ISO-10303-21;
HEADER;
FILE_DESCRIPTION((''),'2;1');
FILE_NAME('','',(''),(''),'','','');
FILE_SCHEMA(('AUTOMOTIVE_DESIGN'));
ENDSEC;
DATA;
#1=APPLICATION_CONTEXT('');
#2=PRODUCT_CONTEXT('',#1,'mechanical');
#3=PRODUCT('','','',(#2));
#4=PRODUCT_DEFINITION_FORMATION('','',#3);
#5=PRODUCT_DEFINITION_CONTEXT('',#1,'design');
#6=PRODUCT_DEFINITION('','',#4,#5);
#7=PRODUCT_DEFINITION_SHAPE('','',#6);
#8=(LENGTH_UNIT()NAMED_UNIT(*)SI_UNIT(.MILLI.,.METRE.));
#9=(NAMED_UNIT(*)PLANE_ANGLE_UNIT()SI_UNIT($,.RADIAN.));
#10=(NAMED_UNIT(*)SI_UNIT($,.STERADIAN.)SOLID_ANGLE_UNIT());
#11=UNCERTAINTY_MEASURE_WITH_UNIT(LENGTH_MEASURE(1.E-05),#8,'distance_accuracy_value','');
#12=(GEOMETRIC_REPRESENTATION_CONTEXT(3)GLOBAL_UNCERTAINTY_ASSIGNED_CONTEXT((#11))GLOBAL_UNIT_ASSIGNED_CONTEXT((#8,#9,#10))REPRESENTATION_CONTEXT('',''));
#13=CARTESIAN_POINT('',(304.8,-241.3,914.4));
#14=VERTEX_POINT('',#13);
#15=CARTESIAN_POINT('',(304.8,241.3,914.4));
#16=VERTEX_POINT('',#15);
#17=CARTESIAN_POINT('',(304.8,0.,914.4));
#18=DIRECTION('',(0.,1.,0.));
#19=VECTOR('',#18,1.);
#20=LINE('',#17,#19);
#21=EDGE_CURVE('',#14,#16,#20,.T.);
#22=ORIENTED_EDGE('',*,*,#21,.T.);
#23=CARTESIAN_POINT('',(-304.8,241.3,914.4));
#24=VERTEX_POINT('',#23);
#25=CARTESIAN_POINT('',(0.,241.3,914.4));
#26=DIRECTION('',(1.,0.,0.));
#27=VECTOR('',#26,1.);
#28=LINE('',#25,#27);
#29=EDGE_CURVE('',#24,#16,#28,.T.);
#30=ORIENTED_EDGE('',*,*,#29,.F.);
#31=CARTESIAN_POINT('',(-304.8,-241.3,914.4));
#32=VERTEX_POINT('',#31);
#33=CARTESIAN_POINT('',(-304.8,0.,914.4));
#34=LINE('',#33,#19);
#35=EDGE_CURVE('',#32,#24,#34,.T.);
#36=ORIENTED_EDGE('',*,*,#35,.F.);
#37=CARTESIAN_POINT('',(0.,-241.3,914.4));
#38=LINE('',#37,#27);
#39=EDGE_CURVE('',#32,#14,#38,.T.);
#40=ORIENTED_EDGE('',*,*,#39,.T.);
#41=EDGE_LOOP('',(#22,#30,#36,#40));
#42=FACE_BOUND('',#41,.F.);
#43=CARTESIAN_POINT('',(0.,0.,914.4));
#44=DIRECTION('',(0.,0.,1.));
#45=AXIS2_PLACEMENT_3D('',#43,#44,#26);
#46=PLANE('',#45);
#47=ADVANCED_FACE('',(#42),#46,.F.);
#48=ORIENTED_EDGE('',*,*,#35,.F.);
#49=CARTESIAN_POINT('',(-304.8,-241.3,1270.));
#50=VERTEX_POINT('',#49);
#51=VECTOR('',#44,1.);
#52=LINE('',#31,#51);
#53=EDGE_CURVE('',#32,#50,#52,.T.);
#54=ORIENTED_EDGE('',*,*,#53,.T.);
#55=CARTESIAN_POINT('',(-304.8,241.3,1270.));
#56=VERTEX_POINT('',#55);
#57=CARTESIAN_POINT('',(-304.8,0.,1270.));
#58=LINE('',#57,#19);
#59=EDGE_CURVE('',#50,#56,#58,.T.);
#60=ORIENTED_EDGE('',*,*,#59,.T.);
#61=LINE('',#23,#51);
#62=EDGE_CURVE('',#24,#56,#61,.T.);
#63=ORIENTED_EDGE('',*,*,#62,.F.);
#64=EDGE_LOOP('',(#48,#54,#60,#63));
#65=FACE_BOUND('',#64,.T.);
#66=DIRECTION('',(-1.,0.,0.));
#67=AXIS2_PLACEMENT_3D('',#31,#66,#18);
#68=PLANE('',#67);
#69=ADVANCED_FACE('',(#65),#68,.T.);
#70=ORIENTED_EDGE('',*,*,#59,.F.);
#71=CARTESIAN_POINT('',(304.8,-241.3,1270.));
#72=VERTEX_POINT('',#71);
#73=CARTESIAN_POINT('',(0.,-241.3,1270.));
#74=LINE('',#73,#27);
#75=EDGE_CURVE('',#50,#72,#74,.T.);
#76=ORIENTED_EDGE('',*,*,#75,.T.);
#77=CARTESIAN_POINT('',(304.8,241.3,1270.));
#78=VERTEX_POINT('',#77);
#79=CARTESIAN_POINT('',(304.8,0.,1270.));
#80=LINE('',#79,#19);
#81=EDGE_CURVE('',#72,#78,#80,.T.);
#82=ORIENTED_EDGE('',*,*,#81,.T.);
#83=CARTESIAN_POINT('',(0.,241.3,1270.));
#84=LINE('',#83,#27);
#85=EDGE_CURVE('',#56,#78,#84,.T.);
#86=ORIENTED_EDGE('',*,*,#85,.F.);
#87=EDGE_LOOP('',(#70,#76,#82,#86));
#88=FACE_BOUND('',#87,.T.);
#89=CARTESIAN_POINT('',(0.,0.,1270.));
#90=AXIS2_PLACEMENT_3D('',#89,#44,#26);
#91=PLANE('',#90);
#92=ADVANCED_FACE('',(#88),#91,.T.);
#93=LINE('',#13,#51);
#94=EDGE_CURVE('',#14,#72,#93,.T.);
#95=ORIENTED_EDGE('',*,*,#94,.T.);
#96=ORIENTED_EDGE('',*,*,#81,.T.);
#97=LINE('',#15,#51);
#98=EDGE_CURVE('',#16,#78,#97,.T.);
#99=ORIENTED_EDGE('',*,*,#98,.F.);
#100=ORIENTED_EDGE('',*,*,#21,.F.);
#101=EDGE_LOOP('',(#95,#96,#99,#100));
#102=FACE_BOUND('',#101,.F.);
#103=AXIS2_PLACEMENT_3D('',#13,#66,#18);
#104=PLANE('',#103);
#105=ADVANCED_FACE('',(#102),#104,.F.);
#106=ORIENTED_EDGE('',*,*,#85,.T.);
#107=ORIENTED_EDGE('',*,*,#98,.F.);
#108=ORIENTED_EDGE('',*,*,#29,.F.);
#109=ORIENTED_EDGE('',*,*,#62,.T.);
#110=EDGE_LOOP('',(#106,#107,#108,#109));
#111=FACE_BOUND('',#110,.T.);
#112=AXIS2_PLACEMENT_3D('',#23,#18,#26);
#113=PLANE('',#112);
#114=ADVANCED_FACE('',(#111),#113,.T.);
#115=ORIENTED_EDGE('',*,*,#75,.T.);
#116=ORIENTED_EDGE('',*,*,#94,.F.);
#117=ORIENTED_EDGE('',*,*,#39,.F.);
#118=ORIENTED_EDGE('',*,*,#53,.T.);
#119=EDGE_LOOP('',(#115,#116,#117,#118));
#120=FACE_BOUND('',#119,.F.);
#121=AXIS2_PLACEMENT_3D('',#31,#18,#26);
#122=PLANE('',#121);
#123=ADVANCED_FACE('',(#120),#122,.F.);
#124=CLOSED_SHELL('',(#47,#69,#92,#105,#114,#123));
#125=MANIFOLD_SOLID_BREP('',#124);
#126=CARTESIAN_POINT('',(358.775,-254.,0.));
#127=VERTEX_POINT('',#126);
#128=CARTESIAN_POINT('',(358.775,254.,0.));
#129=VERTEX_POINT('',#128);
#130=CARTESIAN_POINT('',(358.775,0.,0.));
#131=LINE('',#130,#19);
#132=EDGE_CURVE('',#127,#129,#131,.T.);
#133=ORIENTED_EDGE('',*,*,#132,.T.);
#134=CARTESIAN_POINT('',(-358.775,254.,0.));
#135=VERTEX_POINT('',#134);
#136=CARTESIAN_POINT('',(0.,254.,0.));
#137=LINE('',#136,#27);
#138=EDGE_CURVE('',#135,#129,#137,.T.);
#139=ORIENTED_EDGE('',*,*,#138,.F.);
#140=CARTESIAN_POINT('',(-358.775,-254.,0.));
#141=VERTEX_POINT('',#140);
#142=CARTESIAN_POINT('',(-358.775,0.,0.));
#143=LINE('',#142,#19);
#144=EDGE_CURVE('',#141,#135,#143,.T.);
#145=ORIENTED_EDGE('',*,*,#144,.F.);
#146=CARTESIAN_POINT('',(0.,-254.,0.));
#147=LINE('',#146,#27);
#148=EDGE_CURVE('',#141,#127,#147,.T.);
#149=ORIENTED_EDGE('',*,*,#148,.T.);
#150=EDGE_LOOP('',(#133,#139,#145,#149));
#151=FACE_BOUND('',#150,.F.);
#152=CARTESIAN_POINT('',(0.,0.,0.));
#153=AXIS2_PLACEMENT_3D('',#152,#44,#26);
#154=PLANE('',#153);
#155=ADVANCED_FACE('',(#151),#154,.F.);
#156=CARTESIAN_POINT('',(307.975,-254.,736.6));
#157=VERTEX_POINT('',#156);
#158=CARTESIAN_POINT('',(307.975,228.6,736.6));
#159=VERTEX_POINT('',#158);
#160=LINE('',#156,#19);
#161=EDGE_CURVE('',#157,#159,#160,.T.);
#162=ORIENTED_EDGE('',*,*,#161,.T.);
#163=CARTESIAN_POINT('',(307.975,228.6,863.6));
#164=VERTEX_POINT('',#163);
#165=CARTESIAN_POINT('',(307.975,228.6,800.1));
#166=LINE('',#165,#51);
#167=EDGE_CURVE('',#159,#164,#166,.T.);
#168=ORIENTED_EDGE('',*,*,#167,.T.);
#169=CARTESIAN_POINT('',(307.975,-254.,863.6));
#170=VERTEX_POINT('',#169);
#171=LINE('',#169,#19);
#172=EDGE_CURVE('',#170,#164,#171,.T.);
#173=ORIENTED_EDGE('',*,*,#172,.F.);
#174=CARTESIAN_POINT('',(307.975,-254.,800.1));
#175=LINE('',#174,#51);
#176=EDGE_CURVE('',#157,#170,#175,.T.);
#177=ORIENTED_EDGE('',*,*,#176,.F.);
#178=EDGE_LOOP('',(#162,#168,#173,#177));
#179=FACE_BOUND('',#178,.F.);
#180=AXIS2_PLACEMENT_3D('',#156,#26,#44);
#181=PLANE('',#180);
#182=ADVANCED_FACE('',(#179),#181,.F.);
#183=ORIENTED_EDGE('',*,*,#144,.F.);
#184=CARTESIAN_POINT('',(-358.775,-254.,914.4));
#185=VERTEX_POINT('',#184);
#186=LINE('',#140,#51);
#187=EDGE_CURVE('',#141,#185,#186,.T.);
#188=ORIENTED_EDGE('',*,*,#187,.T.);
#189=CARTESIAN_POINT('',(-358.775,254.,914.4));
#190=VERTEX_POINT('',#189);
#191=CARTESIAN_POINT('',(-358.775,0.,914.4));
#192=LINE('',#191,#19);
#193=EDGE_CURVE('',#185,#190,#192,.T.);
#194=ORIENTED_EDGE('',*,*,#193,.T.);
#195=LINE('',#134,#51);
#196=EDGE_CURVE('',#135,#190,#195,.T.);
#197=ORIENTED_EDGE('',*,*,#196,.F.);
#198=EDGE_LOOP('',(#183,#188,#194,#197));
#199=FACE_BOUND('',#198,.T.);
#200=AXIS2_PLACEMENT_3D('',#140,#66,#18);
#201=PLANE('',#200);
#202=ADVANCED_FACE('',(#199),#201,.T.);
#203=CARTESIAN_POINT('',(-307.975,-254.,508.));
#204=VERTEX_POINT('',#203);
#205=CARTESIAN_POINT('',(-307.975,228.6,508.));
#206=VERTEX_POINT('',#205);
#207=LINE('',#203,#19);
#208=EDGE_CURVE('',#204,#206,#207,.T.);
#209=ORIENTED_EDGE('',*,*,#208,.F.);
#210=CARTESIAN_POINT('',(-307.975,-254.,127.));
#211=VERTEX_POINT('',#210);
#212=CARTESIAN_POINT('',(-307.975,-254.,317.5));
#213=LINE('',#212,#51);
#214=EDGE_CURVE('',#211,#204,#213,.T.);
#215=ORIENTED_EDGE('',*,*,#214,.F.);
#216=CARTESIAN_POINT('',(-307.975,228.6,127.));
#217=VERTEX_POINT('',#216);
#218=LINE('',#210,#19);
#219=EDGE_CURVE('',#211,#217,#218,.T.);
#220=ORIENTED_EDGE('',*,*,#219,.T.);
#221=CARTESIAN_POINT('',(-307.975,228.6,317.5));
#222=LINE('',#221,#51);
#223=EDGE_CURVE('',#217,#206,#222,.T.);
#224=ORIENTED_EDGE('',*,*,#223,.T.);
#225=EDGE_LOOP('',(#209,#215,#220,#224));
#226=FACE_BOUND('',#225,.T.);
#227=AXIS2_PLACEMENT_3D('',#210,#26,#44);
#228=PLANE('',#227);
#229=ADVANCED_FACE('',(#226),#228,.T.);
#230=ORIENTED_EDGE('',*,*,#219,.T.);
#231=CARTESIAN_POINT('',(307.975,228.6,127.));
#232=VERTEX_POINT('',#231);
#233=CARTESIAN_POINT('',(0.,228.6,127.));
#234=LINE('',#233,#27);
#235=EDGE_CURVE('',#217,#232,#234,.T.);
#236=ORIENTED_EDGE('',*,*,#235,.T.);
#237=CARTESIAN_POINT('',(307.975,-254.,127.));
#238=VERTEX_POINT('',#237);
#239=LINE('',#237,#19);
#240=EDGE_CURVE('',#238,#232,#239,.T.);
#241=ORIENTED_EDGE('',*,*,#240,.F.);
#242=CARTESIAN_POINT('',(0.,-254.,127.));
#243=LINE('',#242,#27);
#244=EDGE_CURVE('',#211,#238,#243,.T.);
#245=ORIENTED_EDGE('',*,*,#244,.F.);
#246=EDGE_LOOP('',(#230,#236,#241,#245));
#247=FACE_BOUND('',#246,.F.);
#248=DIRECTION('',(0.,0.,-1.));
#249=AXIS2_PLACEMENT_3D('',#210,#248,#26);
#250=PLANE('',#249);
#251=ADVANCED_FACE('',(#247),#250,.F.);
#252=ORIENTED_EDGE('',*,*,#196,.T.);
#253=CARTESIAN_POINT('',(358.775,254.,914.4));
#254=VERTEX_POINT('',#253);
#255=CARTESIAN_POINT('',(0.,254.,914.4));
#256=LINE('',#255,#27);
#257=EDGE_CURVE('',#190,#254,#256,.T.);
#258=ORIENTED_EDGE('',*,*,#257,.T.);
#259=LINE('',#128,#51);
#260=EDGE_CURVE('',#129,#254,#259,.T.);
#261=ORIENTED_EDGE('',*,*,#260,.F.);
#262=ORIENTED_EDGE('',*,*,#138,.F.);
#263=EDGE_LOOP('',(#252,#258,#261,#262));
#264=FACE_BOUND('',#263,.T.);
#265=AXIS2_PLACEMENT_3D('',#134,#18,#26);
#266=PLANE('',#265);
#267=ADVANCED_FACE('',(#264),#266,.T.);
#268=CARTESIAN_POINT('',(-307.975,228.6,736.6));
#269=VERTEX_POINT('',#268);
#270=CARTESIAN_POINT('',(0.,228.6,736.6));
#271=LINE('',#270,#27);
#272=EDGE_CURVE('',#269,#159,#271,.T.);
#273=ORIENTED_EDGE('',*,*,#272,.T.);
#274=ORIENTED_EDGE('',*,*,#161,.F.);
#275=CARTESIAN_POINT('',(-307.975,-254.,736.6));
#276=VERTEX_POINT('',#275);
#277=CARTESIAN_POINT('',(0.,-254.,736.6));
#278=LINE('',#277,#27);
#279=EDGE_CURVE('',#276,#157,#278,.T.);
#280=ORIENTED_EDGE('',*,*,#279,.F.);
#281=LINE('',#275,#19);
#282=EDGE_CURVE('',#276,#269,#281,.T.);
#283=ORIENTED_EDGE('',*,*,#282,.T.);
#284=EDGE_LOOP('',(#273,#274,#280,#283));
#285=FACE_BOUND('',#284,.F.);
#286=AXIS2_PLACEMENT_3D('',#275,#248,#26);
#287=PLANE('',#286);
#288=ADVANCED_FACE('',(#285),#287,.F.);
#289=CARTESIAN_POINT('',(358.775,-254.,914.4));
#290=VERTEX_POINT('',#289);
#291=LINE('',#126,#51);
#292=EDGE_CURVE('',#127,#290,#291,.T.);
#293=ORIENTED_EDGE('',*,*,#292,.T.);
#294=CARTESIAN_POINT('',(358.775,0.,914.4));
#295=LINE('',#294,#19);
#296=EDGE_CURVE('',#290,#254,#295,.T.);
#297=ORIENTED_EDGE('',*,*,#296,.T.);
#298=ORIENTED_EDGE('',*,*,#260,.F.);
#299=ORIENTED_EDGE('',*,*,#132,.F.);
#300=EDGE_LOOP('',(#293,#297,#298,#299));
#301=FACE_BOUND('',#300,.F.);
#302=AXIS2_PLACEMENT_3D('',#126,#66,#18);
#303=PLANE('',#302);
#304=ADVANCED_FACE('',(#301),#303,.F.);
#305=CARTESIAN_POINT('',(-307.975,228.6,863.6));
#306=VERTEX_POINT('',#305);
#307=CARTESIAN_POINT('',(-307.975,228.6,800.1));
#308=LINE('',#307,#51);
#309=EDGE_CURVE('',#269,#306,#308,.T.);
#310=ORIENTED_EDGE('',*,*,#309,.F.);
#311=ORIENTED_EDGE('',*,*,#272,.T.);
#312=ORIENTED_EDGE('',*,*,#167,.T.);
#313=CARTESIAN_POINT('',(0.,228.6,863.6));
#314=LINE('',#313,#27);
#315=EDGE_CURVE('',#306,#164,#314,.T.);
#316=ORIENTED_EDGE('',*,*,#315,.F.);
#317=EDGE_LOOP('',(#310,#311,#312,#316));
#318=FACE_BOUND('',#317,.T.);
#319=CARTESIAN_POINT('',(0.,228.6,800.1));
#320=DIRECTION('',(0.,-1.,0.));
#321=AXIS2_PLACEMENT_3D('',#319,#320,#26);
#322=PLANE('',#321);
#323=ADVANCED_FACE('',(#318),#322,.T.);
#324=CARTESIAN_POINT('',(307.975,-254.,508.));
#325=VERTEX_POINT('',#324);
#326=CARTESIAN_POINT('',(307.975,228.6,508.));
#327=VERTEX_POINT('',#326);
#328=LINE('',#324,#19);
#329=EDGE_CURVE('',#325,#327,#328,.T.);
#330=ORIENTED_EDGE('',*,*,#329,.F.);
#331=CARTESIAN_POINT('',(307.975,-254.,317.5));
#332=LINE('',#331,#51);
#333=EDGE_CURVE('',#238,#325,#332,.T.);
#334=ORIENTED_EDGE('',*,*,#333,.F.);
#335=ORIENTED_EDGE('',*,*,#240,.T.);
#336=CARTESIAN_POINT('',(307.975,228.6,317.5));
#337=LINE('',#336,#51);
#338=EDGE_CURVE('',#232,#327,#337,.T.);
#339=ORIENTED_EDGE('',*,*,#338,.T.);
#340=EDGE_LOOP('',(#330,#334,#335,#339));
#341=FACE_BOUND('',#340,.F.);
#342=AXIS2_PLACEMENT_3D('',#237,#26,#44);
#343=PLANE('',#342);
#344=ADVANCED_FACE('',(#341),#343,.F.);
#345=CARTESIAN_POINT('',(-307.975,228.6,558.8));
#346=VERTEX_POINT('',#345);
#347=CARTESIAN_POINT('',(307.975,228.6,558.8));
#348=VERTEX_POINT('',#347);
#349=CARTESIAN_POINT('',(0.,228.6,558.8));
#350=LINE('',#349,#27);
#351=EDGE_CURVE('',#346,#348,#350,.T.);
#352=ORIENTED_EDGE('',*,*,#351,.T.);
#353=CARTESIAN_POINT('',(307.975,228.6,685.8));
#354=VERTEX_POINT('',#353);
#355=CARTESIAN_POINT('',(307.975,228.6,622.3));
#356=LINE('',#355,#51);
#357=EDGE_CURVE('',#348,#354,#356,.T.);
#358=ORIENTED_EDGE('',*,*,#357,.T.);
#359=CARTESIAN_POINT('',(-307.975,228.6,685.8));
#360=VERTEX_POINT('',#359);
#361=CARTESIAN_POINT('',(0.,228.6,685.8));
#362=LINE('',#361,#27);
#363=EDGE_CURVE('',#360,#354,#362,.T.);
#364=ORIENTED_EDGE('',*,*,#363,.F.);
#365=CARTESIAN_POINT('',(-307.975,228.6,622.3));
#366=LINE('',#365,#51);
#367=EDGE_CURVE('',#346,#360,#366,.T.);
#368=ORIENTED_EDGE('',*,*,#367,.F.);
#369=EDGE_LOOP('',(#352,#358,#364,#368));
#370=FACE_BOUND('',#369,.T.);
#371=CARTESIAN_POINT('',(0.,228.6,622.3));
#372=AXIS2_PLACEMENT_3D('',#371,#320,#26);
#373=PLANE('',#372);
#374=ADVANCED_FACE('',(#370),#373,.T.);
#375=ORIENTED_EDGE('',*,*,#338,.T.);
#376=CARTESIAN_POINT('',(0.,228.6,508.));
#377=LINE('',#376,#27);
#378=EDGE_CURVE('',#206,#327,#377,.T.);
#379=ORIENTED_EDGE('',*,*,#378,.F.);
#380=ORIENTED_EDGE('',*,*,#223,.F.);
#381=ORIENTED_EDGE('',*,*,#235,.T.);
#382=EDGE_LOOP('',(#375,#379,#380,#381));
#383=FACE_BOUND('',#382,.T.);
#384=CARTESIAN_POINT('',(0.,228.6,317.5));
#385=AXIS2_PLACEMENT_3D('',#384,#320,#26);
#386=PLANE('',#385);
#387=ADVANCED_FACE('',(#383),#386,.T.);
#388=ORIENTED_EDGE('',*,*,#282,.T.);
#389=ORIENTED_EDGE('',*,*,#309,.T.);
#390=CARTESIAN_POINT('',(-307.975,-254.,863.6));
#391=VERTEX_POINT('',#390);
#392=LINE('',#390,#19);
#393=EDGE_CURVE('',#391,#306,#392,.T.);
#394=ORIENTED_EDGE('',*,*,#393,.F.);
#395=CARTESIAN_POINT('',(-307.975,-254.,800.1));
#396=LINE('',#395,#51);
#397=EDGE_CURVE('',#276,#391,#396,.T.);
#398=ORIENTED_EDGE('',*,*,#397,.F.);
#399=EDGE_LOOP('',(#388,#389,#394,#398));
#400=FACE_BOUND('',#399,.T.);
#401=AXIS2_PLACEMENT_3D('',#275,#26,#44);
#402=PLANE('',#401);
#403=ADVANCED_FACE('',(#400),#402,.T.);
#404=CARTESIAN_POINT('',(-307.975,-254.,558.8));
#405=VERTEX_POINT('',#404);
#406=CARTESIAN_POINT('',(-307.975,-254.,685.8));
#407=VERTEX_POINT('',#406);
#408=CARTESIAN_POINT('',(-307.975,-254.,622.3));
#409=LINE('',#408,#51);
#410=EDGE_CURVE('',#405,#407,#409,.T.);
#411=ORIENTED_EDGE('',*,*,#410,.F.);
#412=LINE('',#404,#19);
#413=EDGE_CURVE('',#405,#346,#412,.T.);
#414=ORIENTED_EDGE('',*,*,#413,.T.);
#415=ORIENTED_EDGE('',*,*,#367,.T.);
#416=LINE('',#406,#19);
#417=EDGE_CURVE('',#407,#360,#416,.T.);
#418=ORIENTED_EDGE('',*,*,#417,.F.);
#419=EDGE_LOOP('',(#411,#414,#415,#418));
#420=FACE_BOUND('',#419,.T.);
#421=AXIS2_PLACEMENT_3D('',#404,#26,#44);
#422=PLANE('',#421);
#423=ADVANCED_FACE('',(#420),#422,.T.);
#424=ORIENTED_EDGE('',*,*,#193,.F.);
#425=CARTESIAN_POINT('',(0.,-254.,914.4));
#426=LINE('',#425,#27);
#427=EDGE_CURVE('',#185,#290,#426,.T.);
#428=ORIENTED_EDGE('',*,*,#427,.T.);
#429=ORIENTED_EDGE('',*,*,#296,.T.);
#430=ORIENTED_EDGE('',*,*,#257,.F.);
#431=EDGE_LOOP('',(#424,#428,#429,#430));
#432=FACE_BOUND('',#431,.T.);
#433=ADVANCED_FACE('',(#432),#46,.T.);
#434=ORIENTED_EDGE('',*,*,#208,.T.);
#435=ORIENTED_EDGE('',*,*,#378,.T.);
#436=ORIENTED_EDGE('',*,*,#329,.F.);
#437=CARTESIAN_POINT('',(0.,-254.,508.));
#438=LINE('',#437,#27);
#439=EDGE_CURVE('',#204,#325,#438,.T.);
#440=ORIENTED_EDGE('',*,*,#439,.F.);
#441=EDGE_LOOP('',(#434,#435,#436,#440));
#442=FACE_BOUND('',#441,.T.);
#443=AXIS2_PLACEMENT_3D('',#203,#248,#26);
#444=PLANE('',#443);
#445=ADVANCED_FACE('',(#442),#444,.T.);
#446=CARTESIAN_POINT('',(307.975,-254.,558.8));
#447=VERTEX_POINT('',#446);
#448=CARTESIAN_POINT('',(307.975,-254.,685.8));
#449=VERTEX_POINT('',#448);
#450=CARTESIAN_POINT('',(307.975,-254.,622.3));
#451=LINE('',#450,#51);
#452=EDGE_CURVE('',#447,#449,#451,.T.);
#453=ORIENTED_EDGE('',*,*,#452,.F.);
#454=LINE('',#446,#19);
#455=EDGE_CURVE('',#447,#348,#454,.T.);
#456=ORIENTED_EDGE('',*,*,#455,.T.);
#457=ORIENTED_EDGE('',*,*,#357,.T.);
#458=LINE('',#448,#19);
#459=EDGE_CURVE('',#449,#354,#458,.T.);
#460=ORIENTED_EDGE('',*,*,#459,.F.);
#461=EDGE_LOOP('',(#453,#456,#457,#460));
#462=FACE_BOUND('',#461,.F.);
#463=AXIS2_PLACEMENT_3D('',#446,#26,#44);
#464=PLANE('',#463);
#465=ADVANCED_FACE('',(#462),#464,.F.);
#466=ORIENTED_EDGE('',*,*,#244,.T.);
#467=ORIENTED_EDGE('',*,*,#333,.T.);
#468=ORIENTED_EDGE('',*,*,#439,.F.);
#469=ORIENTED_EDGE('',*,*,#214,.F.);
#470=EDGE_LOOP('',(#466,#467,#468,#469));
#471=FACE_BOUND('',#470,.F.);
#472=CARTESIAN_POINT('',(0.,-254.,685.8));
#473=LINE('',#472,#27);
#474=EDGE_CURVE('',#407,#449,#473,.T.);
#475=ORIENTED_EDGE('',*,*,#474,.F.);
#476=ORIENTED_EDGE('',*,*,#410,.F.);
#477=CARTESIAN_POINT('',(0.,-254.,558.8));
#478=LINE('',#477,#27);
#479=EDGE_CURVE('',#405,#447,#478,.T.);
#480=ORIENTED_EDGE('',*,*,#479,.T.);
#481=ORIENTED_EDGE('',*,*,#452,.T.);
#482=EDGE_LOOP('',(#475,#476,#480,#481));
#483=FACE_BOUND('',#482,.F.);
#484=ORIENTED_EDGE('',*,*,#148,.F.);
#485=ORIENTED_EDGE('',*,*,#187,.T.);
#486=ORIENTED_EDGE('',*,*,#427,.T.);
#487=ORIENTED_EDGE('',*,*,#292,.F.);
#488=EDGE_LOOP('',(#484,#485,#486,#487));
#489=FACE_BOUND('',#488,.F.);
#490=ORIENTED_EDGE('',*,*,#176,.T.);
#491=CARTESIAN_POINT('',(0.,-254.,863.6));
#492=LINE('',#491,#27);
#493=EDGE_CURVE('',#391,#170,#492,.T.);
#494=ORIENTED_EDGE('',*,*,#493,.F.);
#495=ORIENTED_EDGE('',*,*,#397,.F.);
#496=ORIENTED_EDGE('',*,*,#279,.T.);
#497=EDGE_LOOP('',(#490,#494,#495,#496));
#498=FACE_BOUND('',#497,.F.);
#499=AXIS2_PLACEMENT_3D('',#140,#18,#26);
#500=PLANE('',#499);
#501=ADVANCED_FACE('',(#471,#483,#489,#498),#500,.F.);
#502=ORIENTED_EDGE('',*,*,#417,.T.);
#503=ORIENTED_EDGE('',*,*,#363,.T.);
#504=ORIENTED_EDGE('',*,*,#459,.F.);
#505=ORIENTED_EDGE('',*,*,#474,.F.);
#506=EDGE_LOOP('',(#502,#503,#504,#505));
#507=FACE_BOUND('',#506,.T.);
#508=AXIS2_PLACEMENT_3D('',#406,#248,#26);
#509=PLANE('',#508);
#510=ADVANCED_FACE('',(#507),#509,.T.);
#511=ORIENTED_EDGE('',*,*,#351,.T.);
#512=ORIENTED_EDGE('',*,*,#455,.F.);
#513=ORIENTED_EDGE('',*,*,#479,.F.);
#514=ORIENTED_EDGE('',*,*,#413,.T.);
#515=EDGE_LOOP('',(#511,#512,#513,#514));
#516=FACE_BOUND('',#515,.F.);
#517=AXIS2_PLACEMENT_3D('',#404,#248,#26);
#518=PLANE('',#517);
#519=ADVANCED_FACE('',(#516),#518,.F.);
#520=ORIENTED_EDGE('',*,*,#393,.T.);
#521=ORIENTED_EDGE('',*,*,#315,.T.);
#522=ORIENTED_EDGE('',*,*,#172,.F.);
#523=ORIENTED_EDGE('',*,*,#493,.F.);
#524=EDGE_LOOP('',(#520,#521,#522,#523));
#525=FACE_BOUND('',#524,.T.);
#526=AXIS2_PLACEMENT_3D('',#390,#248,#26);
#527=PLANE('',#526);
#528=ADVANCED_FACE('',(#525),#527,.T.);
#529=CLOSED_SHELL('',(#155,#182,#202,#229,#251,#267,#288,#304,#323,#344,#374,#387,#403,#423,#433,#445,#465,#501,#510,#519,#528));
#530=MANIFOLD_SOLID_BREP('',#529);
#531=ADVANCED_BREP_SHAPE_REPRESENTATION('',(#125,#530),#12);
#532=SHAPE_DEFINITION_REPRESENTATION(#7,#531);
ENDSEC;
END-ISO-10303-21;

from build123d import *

# Parameters (mm, degrees)
F0_W     = 717.55
F0_H     = 508
F1_DEPTH = 914.4
F2_W     = 609.6
F2_H     = 482.6
F3_DEPTH = 355.6
F4_W     = 615.95
F4_H     = 127
F4_H_2   = 381
F5_DEPTH = 482.6


with BuildPart() as f1:
    # F0 (on Top) → F1 (new body)
    with BuildSketch(Plane.XY):
        Rectangle(F0_W, F0_H)
    extrude(amount=F1_DEPTH)

    # F4 (on face) → F5 (cut)
    with BuildSketch(Plane.XZ.offset(254)):
        with Locations((0, 800.1)):
            Rectangle(F4_W, F4_H)
        with Locations((0, 317.5)):
            Rectangle(F4_W, F4_H_2)
        with Locations((0, 622.3)):
            Rectangle(F4_W, F4_H)
    extrude(amount=-F5_DEPTH, mode=Mode.SUBTRACT)


with BuildPart() as f3:
    # F2 (on face) → F3 (new body)
    with BuildSketch(Plane.XY.offset(914.4)):
        Rectangle(F2_W, F2_H)
    extrude(amount=F3_DEPTH)


solid = Compound([f1.part, f3.part])
